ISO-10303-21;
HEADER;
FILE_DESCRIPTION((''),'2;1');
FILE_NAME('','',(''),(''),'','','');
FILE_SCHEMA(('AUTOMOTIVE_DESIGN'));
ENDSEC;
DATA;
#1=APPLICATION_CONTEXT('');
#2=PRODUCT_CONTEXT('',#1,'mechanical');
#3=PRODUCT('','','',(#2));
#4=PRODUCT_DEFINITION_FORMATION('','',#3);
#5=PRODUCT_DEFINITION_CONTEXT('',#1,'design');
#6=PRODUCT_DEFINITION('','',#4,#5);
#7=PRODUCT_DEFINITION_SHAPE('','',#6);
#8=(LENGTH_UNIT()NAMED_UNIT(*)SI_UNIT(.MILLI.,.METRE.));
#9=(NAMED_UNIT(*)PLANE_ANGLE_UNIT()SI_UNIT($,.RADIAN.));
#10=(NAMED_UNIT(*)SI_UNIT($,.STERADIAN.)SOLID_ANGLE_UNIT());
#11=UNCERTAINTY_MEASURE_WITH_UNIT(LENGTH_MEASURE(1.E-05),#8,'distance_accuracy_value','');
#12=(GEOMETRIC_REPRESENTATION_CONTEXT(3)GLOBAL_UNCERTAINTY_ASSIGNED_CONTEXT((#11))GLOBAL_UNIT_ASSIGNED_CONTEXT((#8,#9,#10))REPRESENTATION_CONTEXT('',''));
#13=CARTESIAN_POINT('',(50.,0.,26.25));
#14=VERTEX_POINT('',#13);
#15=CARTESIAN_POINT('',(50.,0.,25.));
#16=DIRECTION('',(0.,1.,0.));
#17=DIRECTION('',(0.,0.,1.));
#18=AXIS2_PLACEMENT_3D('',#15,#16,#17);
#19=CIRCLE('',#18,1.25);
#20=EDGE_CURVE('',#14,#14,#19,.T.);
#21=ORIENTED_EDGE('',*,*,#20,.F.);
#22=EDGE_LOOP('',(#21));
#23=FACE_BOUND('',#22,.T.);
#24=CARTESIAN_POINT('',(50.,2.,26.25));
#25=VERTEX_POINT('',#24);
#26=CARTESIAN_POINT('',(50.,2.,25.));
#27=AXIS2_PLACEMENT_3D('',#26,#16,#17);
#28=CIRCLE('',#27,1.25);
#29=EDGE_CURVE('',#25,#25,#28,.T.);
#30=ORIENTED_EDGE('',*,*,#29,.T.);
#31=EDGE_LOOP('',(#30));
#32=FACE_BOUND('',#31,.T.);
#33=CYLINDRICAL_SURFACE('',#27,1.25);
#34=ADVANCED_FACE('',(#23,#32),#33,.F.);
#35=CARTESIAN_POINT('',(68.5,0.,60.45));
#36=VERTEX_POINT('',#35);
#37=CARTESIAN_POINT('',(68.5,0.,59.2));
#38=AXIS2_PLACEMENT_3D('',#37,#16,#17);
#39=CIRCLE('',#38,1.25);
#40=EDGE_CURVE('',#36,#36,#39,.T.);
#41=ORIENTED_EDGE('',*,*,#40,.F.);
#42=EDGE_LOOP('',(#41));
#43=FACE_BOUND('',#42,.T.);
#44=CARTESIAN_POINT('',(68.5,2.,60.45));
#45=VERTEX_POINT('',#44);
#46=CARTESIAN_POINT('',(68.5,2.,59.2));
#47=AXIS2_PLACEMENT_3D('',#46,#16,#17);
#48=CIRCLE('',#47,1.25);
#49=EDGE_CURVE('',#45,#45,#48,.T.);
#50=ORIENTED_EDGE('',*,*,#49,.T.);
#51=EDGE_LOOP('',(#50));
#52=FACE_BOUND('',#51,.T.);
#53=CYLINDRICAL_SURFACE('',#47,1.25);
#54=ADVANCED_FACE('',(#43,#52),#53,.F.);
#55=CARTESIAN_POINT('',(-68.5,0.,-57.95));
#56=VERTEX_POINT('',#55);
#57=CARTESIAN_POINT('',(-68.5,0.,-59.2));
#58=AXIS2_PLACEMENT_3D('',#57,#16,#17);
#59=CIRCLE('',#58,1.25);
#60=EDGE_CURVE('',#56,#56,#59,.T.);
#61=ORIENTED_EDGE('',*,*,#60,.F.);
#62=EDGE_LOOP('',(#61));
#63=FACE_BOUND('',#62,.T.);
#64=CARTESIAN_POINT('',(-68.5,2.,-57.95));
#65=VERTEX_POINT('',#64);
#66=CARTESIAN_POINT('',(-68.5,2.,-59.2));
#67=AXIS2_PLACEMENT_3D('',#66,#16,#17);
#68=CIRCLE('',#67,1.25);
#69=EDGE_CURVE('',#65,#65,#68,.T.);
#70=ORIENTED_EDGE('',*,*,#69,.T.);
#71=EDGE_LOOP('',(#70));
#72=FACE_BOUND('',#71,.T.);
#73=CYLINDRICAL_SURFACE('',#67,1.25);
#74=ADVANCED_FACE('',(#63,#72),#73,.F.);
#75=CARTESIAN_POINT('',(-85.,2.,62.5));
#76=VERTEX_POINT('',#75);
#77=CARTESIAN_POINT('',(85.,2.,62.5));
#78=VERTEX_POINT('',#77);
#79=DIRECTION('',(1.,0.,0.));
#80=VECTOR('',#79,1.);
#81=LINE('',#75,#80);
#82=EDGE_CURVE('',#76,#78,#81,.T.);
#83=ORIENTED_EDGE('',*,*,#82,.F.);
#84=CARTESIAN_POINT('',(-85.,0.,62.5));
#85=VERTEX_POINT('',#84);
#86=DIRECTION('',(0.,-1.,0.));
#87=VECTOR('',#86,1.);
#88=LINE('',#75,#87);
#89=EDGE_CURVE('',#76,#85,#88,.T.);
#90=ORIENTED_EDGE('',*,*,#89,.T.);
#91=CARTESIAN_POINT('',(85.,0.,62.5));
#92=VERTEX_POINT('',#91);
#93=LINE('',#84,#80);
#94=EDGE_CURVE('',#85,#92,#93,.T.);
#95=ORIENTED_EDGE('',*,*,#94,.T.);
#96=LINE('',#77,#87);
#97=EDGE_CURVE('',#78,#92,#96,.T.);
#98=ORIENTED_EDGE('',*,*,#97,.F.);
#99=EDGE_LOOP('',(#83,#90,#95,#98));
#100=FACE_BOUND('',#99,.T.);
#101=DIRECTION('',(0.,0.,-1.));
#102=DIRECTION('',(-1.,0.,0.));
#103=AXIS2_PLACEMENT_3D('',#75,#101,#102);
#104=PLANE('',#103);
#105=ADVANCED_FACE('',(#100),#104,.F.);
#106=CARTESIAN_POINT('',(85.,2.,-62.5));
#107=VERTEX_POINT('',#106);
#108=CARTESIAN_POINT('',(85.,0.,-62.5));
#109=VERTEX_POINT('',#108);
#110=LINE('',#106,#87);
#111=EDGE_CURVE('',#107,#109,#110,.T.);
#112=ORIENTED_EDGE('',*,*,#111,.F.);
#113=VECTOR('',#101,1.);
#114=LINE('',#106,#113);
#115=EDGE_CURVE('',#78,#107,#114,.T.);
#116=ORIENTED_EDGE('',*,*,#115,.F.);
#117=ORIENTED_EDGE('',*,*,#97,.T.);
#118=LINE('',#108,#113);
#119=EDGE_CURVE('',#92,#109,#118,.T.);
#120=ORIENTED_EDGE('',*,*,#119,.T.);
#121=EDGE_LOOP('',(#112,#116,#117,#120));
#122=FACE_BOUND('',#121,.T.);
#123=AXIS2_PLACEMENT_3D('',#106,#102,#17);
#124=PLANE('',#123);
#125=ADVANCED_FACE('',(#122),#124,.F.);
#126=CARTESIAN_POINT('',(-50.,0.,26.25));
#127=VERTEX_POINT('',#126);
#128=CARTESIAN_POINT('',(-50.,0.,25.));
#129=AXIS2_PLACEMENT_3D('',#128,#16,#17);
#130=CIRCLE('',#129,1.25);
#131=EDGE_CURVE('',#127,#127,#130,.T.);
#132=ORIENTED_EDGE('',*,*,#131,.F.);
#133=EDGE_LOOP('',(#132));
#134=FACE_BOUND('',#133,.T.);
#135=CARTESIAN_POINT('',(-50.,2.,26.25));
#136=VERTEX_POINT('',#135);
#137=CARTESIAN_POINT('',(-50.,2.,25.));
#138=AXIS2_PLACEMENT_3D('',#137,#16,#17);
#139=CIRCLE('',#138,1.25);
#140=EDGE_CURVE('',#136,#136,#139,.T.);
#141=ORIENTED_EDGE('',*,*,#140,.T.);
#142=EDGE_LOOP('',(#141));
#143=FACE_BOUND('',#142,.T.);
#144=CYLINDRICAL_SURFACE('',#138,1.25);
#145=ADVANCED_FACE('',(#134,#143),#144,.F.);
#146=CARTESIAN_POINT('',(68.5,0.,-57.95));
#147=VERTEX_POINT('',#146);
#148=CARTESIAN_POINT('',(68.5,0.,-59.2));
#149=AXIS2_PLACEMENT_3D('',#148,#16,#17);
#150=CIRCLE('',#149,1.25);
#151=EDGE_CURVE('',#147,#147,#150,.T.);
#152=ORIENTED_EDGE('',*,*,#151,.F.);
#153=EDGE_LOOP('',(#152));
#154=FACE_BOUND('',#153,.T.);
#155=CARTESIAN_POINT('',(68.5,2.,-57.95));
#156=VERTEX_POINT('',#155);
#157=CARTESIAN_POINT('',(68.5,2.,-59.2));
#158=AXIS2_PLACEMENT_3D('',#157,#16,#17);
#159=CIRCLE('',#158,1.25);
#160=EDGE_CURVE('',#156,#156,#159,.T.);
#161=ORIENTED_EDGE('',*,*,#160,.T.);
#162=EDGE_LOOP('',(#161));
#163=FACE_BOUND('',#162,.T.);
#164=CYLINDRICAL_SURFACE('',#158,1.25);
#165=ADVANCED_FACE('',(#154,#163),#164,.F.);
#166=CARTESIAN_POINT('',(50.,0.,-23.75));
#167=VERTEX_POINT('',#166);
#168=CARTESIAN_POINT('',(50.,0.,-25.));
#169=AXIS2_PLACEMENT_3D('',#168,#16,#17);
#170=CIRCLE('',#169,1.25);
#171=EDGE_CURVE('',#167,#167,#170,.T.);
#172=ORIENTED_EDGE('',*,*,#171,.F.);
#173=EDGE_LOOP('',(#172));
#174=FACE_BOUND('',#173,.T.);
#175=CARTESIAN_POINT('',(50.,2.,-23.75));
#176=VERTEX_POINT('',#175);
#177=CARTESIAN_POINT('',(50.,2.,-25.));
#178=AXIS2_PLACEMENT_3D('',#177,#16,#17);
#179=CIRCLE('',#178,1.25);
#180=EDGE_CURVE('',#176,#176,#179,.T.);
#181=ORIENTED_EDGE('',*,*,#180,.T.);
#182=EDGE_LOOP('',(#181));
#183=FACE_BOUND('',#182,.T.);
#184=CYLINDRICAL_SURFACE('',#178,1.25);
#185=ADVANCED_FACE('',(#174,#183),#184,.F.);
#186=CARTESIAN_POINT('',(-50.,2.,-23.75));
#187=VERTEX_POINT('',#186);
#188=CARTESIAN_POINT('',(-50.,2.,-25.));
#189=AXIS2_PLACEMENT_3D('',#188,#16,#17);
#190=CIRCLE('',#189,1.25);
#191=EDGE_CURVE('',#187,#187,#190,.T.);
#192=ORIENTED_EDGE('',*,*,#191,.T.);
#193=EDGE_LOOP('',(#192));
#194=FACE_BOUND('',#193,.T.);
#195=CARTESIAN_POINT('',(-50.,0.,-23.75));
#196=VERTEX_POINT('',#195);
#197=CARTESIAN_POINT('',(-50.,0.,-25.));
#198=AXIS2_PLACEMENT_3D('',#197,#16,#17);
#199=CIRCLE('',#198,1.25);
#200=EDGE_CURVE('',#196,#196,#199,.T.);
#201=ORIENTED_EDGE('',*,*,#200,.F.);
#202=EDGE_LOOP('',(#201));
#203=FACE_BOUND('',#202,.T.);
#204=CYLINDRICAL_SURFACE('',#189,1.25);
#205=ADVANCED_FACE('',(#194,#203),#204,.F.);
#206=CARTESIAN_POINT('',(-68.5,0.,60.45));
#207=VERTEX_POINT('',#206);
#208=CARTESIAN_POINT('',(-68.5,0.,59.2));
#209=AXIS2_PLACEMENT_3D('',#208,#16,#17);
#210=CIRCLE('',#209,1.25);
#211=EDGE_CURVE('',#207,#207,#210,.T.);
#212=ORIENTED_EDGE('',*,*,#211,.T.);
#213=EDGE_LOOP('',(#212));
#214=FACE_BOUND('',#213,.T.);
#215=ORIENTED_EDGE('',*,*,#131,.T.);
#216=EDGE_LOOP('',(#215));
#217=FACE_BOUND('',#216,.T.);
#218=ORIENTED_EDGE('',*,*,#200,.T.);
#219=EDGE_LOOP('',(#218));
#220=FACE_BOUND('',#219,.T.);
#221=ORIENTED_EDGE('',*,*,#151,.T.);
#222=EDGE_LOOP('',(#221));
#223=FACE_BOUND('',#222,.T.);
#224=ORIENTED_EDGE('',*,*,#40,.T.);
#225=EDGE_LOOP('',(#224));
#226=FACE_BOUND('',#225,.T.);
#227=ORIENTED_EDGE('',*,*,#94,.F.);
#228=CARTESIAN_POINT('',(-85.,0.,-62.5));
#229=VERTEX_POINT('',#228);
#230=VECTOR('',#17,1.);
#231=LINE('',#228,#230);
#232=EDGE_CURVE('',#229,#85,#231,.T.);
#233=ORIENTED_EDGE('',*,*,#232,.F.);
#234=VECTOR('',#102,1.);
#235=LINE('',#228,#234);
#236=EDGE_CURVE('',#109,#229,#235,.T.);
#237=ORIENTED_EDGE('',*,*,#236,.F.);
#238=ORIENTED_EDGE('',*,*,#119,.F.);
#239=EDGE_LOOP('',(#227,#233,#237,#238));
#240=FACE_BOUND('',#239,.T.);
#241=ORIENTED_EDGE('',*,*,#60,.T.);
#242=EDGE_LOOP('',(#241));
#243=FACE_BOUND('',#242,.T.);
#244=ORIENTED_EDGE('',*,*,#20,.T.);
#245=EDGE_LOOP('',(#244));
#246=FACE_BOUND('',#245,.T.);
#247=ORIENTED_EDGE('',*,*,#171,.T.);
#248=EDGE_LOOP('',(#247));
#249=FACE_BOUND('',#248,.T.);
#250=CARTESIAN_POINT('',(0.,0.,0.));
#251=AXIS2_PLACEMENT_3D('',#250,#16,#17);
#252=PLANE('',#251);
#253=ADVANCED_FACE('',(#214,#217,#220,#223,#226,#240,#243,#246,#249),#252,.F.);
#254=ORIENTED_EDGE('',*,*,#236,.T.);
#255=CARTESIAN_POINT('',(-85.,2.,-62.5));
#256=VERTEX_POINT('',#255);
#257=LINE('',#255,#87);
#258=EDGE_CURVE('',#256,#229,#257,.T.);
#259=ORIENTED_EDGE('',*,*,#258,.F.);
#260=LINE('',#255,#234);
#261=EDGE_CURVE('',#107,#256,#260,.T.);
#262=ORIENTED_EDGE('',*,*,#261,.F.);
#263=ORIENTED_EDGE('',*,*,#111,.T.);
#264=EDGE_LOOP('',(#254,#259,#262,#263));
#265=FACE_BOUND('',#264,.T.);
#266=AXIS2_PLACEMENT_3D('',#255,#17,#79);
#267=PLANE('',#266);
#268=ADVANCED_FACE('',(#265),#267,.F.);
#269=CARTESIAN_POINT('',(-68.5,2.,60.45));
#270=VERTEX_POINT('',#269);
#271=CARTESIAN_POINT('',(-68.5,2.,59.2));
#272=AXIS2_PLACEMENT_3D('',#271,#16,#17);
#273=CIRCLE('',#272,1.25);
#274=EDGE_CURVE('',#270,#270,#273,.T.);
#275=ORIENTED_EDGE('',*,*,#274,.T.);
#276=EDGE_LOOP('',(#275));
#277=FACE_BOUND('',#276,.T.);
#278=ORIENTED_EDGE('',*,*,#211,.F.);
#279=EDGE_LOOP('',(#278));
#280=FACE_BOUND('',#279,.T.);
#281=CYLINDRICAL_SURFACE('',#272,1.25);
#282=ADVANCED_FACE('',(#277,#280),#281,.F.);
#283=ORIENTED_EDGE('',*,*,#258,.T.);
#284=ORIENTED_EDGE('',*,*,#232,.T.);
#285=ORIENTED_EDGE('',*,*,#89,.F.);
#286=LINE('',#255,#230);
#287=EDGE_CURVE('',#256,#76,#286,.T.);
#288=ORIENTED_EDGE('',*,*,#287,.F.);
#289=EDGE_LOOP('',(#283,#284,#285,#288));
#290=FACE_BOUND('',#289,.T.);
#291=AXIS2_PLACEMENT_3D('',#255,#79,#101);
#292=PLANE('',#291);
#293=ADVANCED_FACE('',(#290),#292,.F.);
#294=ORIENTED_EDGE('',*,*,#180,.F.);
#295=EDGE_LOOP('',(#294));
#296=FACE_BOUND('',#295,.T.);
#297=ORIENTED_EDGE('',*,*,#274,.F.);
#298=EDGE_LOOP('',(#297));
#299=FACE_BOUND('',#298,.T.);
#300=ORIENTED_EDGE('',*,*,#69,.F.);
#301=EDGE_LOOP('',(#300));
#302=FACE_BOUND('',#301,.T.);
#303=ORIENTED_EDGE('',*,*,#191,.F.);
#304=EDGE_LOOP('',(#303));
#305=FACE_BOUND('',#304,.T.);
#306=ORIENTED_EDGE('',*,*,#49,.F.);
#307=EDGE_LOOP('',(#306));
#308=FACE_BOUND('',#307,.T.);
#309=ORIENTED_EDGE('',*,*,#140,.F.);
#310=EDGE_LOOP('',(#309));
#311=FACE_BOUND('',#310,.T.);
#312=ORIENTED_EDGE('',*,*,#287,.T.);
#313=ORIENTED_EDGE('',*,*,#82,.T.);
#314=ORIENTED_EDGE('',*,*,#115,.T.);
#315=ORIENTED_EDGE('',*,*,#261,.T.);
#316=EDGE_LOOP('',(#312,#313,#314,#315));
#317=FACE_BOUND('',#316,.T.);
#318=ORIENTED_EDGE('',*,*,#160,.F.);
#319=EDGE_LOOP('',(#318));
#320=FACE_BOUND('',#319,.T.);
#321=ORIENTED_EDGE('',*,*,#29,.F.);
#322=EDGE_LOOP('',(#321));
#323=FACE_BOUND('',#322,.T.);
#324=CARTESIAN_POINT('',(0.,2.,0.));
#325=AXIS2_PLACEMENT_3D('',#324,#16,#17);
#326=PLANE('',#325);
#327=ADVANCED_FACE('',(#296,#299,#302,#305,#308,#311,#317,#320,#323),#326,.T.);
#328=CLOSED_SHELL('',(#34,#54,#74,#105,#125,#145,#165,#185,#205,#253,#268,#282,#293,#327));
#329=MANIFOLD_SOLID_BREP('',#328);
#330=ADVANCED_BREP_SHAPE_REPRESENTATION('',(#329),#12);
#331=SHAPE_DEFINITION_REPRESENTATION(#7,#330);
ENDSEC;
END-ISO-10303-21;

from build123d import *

# Parameters (mm, degrees)
ESQUISSE1_W                               = 170
ESQUISSE1_H                               = 125
BOSS_EXTRU_1_DEPTH                        = 2
TROU_POUR_TARAUDAGE_POUR_TROU_TARAUD_M3_D = 2.5


with BuildPart() as part:
    # Esquisse1 → Boss.-Extru.1 (new body)
    with BuildSketch(Plane(origin=(0, 0, 0), x_dir=(1, 0, 0), z_dir=(0, 1, 0))):
        Rectangle(ESQUISSE1_W, ESQUISSE1_H)
    extrude(amount=BOSS_EXTRU_1_DEPTH)

    # Trou pour taraudage pour trou taraudé M3x0.51 (through all)
    with Locations(Plane(origin=(0, 2, 0), x_dir=(1, 0, 0), z_dir=(0, 1, 0))):
        with Locations((-50, 25), (50, 25), (50, -25), (-50, -25), (68.5, 59.2), (-68.5, -59.2), (-68.5, 59.2), (68.5, -59.2)):
            Hole(TROU_POUR_TARAUDAGE_POUR_TROU_TARAUD_M3_D / 2)


solid = part.part
